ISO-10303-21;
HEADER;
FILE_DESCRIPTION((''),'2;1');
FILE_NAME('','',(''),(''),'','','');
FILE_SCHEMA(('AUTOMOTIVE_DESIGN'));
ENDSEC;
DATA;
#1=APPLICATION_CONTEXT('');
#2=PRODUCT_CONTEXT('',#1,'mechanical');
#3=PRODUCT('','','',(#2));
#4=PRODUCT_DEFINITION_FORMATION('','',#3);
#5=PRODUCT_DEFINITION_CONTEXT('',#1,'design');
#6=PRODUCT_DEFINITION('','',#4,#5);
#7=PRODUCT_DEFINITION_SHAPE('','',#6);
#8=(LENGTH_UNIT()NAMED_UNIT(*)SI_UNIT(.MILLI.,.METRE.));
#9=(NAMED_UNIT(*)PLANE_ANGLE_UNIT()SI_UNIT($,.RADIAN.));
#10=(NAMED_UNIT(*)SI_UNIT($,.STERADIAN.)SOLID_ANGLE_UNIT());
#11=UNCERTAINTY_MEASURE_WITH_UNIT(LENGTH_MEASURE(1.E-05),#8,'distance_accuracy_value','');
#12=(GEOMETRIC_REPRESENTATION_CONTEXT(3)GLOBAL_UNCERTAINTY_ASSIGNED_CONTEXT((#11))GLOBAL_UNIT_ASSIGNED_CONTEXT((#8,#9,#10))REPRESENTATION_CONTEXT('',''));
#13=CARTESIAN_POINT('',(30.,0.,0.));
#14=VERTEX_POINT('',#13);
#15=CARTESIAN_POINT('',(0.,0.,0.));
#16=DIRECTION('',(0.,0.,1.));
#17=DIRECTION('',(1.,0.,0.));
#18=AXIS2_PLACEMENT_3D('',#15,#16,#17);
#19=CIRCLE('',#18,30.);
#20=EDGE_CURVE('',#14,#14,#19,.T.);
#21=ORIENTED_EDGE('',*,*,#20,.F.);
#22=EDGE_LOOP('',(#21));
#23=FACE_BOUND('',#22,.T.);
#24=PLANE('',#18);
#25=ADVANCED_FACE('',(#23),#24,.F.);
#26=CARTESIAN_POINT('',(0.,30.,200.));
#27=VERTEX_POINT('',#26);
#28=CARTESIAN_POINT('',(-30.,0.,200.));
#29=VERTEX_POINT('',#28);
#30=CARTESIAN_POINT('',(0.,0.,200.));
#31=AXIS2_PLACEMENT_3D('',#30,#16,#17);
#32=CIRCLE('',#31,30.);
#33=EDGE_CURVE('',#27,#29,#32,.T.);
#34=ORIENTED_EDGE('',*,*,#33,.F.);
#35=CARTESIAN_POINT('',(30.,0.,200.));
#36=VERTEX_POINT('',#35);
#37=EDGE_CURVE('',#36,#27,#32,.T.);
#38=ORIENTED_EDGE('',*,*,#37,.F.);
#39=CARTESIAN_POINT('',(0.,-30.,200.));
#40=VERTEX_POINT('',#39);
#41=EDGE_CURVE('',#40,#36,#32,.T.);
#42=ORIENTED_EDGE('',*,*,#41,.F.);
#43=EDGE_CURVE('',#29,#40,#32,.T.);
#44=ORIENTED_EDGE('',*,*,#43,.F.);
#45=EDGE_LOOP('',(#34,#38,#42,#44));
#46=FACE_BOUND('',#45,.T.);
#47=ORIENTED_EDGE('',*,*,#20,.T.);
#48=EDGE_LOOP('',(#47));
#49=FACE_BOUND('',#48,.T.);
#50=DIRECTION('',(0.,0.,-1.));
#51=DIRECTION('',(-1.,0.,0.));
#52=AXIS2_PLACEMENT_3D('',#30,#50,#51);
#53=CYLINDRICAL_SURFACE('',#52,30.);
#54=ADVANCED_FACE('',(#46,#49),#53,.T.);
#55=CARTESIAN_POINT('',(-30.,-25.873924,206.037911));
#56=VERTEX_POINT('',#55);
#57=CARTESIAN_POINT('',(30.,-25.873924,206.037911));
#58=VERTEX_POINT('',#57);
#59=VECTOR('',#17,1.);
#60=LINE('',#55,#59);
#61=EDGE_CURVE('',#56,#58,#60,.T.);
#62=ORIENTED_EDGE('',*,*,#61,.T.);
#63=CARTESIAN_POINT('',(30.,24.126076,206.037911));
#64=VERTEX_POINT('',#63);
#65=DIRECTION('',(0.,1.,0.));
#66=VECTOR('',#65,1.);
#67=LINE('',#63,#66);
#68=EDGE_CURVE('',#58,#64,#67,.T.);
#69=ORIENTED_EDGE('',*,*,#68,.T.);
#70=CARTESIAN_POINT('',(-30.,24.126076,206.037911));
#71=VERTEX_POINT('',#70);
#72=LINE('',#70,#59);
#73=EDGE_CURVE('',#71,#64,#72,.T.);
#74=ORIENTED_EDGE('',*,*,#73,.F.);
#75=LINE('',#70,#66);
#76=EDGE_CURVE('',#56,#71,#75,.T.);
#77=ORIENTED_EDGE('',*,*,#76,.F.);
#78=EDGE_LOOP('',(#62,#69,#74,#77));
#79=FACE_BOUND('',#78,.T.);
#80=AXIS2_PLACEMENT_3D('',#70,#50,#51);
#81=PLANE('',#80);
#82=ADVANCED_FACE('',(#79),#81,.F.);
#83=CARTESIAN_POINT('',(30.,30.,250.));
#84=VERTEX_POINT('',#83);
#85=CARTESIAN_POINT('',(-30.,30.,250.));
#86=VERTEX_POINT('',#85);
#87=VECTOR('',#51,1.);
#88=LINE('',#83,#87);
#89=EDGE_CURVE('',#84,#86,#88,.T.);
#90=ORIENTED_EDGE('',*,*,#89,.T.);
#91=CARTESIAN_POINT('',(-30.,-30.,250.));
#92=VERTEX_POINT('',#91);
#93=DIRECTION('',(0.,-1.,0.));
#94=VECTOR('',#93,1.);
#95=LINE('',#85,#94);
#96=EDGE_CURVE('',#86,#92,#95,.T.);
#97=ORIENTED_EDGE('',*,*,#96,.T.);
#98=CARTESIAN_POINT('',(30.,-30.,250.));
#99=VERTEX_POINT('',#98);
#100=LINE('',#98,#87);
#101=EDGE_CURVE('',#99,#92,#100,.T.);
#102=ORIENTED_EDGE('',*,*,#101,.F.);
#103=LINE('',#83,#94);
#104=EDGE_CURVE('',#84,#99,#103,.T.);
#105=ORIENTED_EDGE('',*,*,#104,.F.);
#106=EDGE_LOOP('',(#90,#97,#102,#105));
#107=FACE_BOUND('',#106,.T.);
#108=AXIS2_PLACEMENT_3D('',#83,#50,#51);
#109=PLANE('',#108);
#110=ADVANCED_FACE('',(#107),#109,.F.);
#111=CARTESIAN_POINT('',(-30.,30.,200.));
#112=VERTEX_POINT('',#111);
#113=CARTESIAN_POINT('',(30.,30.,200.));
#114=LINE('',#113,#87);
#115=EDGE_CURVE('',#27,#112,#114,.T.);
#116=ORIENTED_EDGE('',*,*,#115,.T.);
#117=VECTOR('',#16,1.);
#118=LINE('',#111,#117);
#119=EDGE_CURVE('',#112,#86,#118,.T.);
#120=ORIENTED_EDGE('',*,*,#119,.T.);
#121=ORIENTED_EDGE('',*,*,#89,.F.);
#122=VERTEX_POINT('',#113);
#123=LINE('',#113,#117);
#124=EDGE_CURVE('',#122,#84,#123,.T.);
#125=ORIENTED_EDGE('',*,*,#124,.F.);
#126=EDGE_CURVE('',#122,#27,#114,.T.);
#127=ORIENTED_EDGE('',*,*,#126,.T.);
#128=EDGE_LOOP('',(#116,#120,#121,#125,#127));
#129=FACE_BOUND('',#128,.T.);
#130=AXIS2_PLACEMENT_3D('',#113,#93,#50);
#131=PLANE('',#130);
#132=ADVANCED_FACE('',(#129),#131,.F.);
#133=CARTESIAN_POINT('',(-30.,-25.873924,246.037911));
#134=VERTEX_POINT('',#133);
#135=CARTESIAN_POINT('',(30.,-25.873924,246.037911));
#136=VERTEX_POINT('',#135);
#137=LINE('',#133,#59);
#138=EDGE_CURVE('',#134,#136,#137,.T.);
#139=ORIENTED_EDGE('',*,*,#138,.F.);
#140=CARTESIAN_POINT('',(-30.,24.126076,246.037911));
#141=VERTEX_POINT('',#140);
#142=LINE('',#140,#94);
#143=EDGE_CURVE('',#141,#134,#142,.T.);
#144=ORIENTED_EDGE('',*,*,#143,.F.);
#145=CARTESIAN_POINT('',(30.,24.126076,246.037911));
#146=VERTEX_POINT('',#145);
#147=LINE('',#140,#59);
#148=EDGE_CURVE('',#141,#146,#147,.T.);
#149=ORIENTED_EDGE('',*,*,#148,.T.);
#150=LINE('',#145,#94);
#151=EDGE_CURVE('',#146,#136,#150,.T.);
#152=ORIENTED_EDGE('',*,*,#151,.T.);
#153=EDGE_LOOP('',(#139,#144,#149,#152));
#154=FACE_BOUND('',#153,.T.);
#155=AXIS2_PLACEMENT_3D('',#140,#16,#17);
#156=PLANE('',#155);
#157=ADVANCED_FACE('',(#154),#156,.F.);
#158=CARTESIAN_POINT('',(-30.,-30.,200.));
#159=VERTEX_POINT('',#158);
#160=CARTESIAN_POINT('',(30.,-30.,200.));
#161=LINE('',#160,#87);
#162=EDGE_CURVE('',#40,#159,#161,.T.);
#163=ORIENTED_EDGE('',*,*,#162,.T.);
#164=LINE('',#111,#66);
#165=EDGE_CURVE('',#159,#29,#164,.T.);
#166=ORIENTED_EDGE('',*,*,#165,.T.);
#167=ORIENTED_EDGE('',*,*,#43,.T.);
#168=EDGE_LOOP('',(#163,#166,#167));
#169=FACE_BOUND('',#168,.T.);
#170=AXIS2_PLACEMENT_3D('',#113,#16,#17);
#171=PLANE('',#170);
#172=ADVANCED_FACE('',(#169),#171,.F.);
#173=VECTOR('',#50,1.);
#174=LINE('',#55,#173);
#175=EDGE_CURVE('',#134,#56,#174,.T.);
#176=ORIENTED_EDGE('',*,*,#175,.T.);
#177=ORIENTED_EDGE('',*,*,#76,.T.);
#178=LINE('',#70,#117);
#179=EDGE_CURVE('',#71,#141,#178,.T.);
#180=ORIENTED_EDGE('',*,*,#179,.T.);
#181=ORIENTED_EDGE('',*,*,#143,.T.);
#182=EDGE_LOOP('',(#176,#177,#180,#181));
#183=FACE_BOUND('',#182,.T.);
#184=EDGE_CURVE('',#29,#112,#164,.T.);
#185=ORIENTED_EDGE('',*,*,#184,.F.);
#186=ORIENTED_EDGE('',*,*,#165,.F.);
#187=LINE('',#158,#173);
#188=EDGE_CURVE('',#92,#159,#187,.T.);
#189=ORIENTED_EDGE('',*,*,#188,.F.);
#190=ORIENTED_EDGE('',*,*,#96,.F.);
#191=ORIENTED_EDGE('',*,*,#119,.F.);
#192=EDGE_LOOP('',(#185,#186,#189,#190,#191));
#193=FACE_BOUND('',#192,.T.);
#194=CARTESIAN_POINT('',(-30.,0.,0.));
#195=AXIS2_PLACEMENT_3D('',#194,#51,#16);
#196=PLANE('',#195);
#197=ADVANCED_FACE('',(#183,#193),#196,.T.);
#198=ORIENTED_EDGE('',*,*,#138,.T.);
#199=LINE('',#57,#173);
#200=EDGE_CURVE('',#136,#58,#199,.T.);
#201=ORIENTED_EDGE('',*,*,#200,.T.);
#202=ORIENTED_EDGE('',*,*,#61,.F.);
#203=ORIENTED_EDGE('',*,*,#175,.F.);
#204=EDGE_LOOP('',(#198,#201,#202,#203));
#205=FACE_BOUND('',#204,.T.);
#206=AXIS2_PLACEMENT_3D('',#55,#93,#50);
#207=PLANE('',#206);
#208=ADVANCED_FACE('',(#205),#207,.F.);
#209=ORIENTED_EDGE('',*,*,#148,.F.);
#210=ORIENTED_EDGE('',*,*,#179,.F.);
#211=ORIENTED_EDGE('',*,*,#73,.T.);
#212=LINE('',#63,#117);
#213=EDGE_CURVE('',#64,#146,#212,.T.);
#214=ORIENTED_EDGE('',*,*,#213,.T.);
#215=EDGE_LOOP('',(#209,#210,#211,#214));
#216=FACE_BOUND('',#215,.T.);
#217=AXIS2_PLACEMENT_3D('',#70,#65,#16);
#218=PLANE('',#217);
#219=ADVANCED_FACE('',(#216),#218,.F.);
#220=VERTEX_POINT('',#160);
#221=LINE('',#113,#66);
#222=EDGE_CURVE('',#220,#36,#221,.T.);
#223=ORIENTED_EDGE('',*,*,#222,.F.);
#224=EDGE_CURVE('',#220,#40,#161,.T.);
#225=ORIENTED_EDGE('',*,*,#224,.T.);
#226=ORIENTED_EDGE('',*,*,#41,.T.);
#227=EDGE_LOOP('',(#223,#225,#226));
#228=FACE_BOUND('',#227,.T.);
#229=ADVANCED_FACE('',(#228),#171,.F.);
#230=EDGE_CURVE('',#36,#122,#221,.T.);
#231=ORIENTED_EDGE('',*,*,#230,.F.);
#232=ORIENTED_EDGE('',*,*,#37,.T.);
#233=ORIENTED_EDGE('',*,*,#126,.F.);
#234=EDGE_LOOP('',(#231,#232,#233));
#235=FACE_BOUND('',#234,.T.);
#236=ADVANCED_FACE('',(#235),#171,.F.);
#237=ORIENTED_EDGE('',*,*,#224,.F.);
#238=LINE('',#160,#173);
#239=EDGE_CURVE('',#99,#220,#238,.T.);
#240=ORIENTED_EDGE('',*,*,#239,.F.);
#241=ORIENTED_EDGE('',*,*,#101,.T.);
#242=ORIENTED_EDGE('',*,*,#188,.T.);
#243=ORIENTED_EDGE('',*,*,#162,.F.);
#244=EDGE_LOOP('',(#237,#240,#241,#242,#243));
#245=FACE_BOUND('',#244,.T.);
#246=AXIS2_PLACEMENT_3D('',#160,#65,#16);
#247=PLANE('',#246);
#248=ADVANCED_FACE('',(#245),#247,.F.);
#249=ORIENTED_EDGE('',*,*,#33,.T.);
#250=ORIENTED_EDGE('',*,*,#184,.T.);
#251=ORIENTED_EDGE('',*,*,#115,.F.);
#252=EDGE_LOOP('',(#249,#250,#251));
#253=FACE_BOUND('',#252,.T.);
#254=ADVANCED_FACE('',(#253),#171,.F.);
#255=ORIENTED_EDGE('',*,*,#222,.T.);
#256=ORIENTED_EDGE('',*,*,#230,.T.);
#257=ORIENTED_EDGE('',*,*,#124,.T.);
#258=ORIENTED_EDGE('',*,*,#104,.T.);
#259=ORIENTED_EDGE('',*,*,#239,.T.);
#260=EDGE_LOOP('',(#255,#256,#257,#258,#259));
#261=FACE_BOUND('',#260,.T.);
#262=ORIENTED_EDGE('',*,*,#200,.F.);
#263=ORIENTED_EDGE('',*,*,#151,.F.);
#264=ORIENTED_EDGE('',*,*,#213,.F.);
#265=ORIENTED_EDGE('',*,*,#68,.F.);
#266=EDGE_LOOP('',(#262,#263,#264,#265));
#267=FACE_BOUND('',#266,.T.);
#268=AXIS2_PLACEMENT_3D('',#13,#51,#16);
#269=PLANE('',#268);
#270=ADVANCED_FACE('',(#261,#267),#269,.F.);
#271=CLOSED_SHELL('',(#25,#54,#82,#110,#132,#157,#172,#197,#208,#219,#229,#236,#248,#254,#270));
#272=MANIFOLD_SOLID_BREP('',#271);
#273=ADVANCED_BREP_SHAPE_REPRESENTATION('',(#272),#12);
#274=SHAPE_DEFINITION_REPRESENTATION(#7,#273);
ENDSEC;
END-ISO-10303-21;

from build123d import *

# Parameters (mm, degrees)
SZKIC1_R                    = 30
DODANIE_WYCI_GNI_CIE1_DEPTH = 200
SZKIC2_W                    = 50
SZKIC2_H                    = 60
DODANIE_WYCI_GNI_CIE2_DEPTH = 30
SZKIC3_W                    = 40
SZKIC3_H                    = 50
WYTNIJ_WYCI_GNI_CIE1_DEPTH  = 61


with BuildPart() as part:
    # Szkic1 → Dodanie-wyciągnięcie1 (new body)
    with BuildSketch(Plane.XY):
        Circle(SZKIC1_R)
    extrude(amount=DODANIE_WYCI_GNI_CIE1_DEPTH)

    # Szkic2 → Dodanie-wyciągnięcie2 (add, symmetric)
    with BuildSketch(Plane(origin=(0, 0, 0), x_dir=(0, 0, -1), z_dir=(1, 0, 0))):
        with Locations((-225, 0)):
            Rectangle(SZKIC2_W, SZKIC2_H)
    extrude(amount=DODANIE_WYCI_GNI_CIE2_DEPTH, both=True)

    # Szkic3 → Wytnij-wyciągnięcie1 (cut, through all)
    with BuildSketch(Plane(origin=(30, 0, 0), x_dir=(0, 0, -1), z_dir=(1, 0, 0))):
        with Locations((-226.037911192, -0.873923737)):
            Rectangle(SZKIC3_W, SZKIC3_H)
    extrude(amount=-WYTNIJ_WYCI_GNI_CIE1_DEPTH, mode=Mode.SUBTRACT)


solid = part.part
